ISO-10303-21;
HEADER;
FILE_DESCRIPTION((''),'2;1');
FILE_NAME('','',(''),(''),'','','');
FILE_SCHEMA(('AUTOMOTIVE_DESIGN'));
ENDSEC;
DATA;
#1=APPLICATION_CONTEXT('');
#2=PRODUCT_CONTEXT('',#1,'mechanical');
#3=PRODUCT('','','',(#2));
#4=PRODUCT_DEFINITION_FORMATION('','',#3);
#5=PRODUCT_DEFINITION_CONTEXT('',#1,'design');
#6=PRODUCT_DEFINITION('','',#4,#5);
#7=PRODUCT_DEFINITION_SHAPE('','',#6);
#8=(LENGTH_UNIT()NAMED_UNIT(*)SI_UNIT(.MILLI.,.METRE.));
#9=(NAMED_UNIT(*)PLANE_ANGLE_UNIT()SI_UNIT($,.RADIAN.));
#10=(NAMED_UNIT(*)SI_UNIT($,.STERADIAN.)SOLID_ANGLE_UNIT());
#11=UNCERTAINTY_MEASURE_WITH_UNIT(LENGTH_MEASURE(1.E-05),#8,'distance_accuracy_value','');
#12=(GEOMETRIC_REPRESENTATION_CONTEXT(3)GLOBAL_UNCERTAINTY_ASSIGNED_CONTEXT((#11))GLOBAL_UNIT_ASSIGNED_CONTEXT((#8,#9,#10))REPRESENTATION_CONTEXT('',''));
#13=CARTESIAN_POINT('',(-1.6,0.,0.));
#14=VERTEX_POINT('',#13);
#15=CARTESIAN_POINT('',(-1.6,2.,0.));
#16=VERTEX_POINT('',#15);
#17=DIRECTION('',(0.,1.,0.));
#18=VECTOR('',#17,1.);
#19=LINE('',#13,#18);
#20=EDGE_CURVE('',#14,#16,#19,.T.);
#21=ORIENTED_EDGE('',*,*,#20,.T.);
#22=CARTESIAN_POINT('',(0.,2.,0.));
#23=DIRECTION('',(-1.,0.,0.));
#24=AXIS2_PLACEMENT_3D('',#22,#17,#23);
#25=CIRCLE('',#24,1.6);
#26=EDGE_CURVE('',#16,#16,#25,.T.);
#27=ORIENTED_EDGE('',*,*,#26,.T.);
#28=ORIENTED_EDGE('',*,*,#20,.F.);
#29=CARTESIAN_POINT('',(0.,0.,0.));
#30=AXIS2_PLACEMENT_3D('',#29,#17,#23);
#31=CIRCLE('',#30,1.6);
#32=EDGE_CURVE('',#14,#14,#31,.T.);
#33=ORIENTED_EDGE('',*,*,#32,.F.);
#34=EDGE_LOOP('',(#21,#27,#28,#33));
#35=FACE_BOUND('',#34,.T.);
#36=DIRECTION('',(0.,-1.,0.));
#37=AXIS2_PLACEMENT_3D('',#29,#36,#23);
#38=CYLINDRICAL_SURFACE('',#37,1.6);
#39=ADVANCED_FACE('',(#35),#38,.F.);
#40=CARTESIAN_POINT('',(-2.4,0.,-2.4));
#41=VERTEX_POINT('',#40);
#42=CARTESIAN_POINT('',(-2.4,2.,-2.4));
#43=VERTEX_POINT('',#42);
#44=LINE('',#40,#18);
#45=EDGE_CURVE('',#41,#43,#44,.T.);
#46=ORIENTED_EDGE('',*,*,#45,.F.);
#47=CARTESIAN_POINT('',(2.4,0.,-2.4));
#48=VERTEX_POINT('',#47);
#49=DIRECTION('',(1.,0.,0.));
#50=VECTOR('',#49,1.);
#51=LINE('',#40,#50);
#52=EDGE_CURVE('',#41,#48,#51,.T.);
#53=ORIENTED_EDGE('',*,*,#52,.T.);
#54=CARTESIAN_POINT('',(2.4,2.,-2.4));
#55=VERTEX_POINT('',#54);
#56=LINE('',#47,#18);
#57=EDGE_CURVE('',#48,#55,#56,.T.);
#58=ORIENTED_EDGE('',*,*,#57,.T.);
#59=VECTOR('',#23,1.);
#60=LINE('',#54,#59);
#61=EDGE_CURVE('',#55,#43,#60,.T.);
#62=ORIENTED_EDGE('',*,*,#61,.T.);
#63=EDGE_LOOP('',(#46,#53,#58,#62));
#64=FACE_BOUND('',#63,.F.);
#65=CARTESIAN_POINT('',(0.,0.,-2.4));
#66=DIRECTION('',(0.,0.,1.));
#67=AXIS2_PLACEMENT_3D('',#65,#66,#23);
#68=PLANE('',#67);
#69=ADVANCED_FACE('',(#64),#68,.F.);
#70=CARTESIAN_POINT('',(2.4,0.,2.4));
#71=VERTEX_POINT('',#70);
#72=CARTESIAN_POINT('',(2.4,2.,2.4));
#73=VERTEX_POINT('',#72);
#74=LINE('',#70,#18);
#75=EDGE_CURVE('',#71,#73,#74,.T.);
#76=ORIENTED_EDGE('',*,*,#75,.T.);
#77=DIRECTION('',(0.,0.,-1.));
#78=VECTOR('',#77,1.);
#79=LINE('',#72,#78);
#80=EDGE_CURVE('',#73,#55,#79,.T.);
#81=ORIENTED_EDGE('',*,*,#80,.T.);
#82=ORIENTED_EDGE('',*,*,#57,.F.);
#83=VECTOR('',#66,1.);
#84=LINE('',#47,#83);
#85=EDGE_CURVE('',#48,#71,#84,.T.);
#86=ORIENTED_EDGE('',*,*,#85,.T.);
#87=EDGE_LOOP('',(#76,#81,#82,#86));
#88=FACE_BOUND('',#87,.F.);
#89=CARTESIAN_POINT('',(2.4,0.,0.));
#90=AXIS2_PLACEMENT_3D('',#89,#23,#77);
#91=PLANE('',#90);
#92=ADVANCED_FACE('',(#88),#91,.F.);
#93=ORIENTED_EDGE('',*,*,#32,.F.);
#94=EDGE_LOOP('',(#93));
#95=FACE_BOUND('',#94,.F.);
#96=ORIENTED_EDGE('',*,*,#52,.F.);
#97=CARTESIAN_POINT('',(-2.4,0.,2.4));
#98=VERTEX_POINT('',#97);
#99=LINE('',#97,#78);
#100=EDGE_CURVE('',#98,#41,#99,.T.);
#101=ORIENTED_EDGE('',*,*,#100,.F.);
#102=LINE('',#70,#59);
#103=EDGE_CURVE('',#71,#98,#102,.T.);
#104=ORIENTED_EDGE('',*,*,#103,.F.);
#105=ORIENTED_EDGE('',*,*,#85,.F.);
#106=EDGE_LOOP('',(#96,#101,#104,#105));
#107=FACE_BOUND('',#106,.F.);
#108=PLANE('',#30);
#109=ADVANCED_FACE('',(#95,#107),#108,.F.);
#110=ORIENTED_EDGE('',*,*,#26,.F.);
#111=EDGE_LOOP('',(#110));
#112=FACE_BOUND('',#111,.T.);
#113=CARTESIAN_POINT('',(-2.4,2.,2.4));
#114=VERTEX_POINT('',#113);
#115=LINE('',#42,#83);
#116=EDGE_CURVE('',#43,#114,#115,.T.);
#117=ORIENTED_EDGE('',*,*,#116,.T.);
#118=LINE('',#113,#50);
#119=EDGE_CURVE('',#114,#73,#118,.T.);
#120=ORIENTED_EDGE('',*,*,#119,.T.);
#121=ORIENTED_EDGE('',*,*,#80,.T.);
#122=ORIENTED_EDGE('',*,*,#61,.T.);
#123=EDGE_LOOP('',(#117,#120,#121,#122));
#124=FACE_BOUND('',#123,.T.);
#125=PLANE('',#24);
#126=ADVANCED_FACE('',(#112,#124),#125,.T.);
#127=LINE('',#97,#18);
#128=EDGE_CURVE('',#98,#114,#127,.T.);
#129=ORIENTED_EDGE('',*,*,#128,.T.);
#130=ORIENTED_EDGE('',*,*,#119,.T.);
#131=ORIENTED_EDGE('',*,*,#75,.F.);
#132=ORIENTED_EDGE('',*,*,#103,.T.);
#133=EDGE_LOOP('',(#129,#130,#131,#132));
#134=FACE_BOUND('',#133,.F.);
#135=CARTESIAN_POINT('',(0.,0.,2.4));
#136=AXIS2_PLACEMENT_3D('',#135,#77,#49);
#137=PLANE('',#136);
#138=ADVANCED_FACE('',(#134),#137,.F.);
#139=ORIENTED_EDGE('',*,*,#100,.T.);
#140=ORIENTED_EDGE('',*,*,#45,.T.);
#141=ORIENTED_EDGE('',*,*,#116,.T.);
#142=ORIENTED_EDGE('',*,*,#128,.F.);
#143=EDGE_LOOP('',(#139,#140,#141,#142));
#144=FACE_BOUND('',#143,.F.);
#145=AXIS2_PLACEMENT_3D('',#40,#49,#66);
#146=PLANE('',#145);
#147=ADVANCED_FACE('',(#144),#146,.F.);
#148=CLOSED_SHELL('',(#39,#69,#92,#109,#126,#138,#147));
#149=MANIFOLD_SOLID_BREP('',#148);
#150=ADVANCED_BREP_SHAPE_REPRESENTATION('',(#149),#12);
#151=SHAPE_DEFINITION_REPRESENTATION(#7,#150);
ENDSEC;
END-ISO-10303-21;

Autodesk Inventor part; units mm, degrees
ref_plane "YZ Plane" through (0, 0, 0) normal (1, 0, 0) x (0, 1, 0)
ref_plane "XZ Plane" through (0, 0, 0) normal (0, 1, 0) x (-1, 0, 0)
ref_plane "XY Plane" through (0, 0, 0) normal (0, 0, 1) x (1, 0, 0)
sketch "스케치1" plane through (0, 0, 0) normal (0, 1, 0) x (-1, 0, 0)
  circle A0 centre (0, 0) radius 1.6
  circle A1 centre (0, 0) radius 2.4
  line L0 (2.4, 2.4) -> (-2.4, 2.4)
  line L1 (-2.4, 2.4) -> (-2.4, -2.4)
  line L2 (-2.4, -2.4) -> (2.4, -2.4)
  line L3 (2.4, -2.4) -> (2.4, 2.4)
  point P0 (2.4, 0)
  point P1 (0, -2.4)
  point P2 (0, 2.4)
  point P3 (-2.4, 0)
  dimension "d0" = 3.2
  dimension "d1" = 4.8
extrude "돌출1" add sketch "스케치1" along normal blind 2
properties part number "endcap_4mm_2ea_air_inlet"
